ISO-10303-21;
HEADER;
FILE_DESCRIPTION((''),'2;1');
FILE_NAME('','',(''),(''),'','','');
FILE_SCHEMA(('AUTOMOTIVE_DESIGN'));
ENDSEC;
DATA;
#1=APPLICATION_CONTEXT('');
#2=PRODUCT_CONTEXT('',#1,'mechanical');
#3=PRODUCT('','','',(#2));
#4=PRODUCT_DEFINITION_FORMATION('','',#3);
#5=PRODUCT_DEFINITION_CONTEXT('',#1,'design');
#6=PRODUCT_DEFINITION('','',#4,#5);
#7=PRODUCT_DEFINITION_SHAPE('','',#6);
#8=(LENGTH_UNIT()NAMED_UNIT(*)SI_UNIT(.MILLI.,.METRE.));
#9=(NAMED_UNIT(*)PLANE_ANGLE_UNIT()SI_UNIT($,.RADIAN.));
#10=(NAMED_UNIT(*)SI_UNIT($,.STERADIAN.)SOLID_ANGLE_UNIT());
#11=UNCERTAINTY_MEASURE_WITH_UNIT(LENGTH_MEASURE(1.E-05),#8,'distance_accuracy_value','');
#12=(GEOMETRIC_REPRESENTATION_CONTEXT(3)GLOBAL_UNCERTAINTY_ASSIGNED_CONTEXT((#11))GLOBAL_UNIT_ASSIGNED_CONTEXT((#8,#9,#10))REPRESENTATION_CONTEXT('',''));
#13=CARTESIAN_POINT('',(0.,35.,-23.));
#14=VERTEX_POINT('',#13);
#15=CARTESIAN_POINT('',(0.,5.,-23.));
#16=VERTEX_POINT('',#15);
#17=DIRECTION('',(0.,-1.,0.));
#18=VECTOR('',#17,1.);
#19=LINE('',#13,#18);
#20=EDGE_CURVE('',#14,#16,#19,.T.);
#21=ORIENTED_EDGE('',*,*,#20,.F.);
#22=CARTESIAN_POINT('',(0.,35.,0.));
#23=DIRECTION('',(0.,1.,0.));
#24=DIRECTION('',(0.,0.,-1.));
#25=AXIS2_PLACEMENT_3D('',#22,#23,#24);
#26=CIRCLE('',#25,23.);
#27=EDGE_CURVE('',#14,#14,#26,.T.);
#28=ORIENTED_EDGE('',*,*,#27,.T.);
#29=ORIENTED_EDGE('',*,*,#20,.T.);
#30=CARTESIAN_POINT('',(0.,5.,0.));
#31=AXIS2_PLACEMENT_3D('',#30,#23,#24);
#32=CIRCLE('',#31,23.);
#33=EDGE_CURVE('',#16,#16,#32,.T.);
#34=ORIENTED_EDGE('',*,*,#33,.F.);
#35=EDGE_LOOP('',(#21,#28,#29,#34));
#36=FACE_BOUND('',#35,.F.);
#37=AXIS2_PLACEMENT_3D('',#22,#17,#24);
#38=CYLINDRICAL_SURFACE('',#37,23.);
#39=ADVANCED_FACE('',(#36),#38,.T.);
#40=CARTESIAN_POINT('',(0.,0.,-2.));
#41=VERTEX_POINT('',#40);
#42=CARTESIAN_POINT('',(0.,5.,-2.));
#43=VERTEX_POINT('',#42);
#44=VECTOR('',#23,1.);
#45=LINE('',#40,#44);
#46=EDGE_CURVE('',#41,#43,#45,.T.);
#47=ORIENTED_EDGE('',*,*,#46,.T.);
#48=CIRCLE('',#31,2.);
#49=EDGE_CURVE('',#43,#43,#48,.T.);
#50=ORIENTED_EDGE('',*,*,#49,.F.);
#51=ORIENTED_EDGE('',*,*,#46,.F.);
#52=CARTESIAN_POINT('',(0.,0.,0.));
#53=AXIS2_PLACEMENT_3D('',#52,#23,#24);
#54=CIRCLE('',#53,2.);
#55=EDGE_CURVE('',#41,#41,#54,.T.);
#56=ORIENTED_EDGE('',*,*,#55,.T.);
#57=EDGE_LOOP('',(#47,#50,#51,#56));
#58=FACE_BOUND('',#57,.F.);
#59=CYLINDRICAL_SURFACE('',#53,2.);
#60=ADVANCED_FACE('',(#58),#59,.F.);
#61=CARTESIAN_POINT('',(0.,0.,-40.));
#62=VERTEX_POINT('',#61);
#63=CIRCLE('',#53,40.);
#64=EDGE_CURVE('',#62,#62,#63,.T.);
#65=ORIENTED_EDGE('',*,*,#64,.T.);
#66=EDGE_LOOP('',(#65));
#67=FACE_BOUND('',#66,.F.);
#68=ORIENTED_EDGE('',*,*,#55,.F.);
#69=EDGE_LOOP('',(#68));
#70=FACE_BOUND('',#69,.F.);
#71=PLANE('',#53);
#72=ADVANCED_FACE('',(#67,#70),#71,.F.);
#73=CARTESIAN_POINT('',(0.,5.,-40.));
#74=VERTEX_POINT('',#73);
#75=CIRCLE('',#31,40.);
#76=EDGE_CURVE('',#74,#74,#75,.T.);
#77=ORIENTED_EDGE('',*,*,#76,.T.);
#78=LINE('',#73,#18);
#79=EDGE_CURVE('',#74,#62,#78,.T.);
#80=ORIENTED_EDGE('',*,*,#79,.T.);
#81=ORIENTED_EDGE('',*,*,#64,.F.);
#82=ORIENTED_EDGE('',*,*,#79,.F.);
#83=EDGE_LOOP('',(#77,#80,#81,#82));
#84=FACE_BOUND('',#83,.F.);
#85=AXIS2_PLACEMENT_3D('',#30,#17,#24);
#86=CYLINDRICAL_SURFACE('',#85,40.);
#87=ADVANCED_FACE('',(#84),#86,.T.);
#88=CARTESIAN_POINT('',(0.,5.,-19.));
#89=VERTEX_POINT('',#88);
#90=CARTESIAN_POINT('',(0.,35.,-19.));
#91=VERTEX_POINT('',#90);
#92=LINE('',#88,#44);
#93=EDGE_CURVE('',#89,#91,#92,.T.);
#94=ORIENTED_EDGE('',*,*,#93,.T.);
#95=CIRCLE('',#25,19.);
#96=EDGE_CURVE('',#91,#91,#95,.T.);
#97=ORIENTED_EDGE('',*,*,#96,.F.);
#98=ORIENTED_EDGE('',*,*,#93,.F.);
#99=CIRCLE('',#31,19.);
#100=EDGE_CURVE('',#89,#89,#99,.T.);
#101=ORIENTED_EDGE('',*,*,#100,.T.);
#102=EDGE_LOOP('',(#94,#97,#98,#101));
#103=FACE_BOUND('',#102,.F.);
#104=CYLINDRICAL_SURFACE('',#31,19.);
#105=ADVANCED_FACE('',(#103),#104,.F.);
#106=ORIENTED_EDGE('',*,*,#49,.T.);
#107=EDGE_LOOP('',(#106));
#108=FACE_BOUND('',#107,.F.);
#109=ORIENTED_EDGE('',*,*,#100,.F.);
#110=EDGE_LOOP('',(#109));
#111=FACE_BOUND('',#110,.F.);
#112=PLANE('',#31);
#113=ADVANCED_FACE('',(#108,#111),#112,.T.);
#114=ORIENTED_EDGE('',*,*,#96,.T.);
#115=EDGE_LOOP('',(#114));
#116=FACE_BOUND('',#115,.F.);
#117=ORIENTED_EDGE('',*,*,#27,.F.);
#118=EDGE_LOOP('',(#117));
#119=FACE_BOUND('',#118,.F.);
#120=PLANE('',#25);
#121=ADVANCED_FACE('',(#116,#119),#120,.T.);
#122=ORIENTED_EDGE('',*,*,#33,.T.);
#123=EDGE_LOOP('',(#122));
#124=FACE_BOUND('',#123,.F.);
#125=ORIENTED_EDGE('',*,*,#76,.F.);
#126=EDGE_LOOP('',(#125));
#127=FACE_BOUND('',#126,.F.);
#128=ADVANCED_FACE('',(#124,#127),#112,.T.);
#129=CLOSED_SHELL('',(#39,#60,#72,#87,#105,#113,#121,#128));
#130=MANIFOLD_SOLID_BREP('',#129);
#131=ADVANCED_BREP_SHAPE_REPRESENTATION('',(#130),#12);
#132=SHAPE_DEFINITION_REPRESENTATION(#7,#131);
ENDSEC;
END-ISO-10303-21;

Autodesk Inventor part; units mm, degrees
ref_plane "YZ Plane" through (0, 0, 0) normal (1, 0, 0) x (0, 1, 0)
ref_plane "XZ Plane" through (0, 0, 0) normal (0, 1, 0) x (-1, 0, 0)
ref_plane "XY Plane" through (0, 0, 0) normal (0, 0, 1) x (1, 0, 0)
sketch "Sketch1" plane through (0, 0, 0) normal (1, 0, 0) x (0, 1, 0)
  line L0 (0, -2) -> (5, -2)
  line L1 (5, -2) -> (5, -19)
  line L2 (5, -19) -> (35, -19)
  line L3 (35, -19) -> (35, -23)
  line L4 (35, -23) -> (5, -23)
  line L5 (5, -23) -> (5, -40)
  line L6 (5, -40) -> (0, -40)
  line L7 (0, -40) -> (0, -2)
  line L8 (-7, 0) -> (42, 0) projected
  point P0 (0, 0)
  dimension "d0" = 35
  dimension "d1" = 2
  dimension "d2" = 5
  dimension "d3" = 19
  dimension "d4" = 23
  dimension "d5" = 40
revolve "Revolution1" add sketch "Sketch1" angle 360 about axis through (0, -10, 0) along (0, 1, 0)
properties material "ABS Plastic"
